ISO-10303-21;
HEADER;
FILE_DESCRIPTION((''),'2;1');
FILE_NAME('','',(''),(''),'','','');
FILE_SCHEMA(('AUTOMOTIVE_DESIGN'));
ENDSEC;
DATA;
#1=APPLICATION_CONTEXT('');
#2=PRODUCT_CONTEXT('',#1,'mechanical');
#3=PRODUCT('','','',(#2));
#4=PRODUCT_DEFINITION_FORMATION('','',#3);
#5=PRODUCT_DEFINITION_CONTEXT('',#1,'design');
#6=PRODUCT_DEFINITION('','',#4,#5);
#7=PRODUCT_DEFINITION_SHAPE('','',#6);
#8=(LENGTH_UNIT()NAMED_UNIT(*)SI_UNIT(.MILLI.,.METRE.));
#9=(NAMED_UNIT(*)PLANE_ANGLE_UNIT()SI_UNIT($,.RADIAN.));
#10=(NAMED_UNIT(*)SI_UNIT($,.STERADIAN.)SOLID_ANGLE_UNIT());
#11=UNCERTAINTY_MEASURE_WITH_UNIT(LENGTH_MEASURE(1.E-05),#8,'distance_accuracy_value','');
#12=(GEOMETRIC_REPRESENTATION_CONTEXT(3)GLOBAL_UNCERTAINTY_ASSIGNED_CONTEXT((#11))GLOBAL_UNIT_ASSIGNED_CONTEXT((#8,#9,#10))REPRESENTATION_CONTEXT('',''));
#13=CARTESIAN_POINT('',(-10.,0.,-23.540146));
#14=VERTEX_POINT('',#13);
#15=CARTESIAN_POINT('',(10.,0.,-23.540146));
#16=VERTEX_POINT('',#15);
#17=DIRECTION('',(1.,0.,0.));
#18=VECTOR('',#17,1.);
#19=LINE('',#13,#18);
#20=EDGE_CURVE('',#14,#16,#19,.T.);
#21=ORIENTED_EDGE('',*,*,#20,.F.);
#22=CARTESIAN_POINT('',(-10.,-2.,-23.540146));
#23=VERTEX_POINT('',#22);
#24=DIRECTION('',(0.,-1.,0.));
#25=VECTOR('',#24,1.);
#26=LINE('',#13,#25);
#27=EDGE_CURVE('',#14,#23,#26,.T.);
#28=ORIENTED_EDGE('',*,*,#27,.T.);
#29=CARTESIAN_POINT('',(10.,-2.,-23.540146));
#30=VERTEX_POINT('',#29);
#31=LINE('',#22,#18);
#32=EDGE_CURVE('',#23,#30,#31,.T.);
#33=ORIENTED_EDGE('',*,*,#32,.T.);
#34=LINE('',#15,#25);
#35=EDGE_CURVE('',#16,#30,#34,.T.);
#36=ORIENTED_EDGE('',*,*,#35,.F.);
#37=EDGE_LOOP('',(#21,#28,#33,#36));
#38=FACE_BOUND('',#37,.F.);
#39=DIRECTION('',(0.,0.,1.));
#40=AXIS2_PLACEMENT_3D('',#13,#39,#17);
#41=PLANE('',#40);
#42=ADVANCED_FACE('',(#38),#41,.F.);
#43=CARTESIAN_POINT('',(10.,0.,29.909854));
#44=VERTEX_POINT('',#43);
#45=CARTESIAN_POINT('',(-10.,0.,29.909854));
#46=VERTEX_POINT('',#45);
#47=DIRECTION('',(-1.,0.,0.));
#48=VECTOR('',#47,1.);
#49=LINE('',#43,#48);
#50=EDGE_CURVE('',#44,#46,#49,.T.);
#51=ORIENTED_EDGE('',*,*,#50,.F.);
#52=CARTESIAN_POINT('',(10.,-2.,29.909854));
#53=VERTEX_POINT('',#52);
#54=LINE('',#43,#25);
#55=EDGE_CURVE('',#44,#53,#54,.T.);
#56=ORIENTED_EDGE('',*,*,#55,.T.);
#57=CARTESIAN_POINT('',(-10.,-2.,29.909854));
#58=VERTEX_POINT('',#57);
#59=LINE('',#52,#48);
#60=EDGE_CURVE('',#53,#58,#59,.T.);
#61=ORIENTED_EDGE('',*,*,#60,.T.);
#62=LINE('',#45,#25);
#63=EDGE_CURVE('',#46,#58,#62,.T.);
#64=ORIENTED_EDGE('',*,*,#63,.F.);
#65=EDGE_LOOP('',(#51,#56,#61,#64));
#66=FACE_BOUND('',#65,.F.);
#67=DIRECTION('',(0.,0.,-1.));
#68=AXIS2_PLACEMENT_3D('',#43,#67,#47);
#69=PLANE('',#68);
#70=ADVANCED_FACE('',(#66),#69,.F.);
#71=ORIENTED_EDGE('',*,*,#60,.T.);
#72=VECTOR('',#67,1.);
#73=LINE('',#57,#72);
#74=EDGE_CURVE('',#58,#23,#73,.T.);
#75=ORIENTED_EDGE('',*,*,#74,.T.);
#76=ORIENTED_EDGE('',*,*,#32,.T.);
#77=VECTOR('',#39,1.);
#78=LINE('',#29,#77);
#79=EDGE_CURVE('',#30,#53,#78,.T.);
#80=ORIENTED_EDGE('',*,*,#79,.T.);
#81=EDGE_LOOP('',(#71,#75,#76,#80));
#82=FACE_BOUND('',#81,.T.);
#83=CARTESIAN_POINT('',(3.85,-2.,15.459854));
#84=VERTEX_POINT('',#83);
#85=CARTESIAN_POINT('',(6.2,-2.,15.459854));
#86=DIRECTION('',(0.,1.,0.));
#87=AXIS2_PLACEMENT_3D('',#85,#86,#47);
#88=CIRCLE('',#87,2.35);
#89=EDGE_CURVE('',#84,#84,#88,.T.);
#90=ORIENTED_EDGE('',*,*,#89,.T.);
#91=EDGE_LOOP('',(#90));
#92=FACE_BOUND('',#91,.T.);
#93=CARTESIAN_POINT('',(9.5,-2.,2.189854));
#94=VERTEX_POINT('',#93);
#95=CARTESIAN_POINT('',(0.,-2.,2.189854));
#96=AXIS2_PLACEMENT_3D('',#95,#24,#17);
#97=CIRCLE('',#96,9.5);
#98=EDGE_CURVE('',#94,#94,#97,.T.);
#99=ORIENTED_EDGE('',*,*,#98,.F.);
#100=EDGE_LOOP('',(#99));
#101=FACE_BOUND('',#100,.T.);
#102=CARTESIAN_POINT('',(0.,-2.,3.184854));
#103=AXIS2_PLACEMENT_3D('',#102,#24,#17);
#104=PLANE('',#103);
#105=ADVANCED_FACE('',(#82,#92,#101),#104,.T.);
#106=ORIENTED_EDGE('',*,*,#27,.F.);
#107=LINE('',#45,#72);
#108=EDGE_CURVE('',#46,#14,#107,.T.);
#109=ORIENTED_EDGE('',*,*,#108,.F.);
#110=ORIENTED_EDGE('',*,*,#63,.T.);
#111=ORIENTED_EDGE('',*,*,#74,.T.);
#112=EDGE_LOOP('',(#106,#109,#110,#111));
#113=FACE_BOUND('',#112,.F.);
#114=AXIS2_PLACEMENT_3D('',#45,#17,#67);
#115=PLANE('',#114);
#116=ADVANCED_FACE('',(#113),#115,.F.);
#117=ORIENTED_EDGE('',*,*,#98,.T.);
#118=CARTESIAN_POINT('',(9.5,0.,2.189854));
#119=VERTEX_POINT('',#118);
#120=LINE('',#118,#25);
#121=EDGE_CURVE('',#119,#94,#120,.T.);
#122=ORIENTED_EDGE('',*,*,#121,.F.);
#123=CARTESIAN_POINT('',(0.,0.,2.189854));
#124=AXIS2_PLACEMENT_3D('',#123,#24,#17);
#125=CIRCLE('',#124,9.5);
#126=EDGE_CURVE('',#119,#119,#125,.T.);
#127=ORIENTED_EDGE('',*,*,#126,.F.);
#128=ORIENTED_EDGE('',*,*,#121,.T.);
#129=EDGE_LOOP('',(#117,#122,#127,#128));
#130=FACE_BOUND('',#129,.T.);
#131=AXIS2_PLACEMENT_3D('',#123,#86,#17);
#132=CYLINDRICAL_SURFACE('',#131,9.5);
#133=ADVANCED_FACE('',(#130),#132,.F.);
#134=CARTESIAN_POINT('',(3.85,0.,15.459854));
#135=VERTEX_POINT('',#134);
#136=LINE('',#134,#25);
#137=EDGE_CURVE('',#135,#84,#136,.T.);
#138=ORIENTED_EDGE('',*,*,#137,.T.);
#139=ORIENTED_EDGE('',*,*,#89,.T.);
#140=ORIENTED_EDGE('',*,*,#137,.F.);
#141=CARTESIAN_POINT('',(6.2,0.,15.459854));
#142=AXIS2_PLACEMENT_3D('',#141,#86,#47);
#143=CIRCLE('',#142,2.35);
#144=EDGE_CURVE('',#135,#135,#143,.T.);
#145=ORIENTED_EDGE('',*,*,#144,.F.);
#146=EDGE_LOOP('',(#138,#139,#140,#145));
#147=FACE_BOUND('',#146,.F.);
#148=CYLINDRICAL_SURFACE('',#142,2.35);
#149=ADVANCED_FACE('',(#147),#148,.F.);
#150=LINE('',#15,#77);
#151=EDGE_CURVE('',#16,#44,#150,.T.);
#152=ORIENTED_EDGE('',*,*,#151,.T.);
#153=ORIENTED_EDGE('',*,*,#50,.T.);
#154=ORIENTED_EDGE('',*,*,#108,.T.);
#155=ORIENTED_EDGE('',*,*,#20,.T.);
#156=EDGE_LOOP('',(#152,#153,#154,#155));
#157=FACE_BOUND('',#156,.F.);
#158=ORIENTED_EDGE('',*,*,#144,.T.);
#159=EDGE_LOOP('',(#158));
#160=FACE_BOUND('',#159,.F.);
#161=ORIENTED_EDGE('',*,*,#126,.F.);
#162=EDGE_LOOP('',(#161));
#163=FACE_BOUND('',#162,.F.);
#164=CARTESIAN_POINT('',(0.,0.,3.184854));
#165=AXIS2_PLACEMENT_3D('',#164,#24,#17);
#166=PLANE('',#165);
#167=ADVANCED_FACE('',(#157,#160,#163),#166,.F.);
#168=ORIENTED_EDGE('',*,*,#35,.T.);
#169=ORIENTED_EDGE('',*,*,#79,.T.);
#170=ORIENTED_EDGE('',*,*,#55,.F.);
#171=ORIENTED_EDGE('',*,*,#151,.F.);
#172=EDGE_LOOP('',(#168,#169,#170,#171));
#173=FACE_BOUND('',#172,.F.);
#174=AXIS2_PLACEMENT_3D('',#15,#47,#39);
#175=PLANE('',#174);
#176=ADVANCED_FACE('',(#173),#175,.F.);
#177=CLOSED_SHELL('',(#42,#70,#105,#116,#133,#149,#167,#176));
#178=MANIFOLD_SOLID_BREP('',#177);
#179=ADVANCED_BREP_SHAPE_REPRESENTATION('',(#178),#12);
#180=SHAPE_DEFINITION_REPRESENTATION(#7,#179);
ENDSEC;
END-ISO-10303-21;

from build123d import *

# Parameters (mm, degrees)
F0_R     = 9.5
F1_DEPTH = 2


with BuildPart() as f1:
    # F0 (on Front) → F1 (new body)
    with BuildSketch(Plane.XZ):
        Polygon((-10, 15.459854), (-10, -23.540146), (10, -23.540146), (10, 29.909854), (9.25, 29.909854), (-9.25, 29.909854), (-10, 29.909854), align=None)
        with Locations((0, 2.189854)):
            Circle(F0_R, mode=Mode.SUBTRACT)
        with BuildLine():
            ThreePointArc((8.55, 15.459854), (6.2, 13.109854), (3.85, 15.459854))
            ThreePointArc((3.85, 15.459854), (6.2, 17.809854), (8.55, 15.459854))
        make_face(mode=Mode.SUBTRACT)
    extrude(amount=F1_DEPTH)


solid = f1.part
